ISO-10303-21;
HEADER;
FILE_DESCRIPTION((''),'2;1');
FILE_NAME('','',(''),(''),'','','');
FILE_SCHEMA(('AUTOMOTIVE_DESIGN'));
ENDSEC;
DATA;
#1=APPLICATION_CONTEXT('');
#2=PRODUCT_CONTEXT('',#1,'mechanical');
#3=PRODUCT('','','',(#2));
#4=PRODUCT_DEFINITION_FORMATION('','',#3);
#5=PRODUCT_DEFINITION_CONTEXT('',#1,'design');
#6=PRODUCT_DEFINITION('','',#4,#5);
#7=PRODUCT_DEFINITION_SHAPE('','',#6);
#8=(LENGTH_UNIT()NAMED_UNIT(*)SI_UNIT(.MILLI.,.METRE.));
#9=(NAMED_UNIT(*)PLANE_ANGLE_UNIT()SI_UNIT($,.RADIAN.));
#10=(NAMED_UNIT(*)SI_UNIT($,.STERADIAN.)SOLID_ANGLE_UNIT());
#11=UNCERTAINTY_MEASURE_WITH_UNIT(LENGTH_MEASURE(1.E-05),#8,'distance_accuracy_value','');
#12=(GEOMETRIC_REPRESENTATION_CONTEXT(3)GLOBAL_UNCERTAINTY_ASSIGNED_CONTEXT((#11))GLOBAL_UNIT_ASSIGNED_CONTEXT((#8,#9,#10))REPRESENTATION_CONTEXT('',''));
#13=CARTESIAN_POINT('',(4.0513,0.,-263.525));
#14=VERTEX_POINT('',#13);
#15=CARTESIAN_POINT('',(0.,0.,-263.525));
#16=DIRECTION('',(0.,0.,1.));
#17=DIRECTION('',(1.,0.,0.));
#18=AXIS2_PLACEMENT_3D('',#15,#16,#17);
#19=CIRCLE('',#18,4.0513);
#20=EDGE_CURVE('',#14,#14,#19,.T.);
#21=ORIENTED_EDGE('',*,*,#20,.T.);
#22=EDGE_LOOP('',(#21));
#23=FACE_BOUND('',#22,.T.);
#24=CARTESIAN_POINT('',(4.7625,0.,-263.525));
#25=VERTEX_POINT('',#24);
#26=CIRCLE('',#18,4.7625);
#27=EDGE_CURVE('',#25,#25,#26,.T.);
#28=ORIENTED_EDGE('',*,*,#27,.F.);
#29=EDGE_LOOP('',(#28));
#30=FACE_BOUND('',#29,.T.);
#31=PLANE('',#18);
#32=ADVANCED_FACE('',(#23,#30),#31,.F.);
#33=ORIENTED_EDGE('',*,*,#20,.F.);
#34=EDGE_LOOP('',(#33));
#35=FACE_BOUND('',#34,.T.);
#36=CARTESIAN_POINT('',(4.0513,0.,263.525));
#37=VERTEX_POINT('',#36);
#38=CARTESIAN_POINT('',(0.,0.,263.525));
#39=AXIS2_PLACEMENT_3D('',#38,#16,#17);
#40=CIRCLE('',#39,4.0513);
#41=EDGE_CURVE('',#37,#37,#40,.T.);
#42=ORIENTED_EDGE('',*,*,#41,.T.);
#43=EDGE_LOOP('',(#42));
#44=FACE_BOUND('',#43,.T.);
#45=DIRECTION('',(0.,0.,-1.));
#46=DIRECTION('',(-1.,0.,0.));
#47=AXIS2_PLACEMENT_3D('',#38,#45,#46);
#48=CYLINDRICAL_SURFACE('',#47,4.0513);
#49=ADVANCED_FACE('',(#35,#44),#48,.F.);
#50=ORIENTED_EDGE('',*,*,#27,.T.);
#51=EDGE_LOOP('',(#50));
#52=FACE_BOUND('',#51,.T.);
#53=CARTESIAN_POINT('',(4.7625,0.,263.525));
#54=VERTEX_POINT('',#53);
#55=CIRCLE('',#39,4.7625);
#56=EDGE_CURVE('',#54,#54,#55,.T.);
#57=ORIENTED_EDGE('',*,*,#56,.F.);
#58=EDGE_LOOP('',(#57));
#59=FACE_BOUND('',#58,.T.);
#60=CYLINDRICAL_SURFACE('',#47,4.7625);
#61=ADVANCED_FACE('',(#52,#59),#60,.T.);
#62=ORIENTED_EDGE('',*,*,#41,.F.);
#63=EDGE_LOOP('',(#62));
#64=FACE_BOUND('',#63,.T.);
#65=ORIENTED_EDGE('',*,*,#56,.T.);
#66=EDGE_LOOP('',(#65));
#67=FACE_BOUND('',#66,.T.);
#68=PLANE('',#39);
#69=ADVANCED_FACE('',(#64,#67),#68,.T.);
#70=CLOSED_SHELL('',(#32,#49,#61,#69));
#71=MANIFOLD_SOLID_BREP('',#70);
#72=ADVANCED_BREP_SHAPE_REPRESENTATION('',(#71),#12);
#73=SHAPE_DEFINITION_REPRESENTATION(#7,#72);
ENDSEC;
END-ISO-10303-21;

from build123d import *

# Parameters (mm, degrees)
SKETCH3_R           = 4.7625
SKETCH3_R_2         = 4.0513
BOSS_EXTRUDE1_DEPTH = 263.525


with BuildPart() as part:
    # Sketch3 → Boss-Extrude1 (new, symmetric)
    with BuildSketch(Plane.XY):
        Circle(SKETCH3_R)
        Circle(SKETCH3_R_2, mode=Mode.SUBTRACT)
    extrude(amount=BOSS_EXTRUDE1_DEPTH, both=True)


solid = part.part
